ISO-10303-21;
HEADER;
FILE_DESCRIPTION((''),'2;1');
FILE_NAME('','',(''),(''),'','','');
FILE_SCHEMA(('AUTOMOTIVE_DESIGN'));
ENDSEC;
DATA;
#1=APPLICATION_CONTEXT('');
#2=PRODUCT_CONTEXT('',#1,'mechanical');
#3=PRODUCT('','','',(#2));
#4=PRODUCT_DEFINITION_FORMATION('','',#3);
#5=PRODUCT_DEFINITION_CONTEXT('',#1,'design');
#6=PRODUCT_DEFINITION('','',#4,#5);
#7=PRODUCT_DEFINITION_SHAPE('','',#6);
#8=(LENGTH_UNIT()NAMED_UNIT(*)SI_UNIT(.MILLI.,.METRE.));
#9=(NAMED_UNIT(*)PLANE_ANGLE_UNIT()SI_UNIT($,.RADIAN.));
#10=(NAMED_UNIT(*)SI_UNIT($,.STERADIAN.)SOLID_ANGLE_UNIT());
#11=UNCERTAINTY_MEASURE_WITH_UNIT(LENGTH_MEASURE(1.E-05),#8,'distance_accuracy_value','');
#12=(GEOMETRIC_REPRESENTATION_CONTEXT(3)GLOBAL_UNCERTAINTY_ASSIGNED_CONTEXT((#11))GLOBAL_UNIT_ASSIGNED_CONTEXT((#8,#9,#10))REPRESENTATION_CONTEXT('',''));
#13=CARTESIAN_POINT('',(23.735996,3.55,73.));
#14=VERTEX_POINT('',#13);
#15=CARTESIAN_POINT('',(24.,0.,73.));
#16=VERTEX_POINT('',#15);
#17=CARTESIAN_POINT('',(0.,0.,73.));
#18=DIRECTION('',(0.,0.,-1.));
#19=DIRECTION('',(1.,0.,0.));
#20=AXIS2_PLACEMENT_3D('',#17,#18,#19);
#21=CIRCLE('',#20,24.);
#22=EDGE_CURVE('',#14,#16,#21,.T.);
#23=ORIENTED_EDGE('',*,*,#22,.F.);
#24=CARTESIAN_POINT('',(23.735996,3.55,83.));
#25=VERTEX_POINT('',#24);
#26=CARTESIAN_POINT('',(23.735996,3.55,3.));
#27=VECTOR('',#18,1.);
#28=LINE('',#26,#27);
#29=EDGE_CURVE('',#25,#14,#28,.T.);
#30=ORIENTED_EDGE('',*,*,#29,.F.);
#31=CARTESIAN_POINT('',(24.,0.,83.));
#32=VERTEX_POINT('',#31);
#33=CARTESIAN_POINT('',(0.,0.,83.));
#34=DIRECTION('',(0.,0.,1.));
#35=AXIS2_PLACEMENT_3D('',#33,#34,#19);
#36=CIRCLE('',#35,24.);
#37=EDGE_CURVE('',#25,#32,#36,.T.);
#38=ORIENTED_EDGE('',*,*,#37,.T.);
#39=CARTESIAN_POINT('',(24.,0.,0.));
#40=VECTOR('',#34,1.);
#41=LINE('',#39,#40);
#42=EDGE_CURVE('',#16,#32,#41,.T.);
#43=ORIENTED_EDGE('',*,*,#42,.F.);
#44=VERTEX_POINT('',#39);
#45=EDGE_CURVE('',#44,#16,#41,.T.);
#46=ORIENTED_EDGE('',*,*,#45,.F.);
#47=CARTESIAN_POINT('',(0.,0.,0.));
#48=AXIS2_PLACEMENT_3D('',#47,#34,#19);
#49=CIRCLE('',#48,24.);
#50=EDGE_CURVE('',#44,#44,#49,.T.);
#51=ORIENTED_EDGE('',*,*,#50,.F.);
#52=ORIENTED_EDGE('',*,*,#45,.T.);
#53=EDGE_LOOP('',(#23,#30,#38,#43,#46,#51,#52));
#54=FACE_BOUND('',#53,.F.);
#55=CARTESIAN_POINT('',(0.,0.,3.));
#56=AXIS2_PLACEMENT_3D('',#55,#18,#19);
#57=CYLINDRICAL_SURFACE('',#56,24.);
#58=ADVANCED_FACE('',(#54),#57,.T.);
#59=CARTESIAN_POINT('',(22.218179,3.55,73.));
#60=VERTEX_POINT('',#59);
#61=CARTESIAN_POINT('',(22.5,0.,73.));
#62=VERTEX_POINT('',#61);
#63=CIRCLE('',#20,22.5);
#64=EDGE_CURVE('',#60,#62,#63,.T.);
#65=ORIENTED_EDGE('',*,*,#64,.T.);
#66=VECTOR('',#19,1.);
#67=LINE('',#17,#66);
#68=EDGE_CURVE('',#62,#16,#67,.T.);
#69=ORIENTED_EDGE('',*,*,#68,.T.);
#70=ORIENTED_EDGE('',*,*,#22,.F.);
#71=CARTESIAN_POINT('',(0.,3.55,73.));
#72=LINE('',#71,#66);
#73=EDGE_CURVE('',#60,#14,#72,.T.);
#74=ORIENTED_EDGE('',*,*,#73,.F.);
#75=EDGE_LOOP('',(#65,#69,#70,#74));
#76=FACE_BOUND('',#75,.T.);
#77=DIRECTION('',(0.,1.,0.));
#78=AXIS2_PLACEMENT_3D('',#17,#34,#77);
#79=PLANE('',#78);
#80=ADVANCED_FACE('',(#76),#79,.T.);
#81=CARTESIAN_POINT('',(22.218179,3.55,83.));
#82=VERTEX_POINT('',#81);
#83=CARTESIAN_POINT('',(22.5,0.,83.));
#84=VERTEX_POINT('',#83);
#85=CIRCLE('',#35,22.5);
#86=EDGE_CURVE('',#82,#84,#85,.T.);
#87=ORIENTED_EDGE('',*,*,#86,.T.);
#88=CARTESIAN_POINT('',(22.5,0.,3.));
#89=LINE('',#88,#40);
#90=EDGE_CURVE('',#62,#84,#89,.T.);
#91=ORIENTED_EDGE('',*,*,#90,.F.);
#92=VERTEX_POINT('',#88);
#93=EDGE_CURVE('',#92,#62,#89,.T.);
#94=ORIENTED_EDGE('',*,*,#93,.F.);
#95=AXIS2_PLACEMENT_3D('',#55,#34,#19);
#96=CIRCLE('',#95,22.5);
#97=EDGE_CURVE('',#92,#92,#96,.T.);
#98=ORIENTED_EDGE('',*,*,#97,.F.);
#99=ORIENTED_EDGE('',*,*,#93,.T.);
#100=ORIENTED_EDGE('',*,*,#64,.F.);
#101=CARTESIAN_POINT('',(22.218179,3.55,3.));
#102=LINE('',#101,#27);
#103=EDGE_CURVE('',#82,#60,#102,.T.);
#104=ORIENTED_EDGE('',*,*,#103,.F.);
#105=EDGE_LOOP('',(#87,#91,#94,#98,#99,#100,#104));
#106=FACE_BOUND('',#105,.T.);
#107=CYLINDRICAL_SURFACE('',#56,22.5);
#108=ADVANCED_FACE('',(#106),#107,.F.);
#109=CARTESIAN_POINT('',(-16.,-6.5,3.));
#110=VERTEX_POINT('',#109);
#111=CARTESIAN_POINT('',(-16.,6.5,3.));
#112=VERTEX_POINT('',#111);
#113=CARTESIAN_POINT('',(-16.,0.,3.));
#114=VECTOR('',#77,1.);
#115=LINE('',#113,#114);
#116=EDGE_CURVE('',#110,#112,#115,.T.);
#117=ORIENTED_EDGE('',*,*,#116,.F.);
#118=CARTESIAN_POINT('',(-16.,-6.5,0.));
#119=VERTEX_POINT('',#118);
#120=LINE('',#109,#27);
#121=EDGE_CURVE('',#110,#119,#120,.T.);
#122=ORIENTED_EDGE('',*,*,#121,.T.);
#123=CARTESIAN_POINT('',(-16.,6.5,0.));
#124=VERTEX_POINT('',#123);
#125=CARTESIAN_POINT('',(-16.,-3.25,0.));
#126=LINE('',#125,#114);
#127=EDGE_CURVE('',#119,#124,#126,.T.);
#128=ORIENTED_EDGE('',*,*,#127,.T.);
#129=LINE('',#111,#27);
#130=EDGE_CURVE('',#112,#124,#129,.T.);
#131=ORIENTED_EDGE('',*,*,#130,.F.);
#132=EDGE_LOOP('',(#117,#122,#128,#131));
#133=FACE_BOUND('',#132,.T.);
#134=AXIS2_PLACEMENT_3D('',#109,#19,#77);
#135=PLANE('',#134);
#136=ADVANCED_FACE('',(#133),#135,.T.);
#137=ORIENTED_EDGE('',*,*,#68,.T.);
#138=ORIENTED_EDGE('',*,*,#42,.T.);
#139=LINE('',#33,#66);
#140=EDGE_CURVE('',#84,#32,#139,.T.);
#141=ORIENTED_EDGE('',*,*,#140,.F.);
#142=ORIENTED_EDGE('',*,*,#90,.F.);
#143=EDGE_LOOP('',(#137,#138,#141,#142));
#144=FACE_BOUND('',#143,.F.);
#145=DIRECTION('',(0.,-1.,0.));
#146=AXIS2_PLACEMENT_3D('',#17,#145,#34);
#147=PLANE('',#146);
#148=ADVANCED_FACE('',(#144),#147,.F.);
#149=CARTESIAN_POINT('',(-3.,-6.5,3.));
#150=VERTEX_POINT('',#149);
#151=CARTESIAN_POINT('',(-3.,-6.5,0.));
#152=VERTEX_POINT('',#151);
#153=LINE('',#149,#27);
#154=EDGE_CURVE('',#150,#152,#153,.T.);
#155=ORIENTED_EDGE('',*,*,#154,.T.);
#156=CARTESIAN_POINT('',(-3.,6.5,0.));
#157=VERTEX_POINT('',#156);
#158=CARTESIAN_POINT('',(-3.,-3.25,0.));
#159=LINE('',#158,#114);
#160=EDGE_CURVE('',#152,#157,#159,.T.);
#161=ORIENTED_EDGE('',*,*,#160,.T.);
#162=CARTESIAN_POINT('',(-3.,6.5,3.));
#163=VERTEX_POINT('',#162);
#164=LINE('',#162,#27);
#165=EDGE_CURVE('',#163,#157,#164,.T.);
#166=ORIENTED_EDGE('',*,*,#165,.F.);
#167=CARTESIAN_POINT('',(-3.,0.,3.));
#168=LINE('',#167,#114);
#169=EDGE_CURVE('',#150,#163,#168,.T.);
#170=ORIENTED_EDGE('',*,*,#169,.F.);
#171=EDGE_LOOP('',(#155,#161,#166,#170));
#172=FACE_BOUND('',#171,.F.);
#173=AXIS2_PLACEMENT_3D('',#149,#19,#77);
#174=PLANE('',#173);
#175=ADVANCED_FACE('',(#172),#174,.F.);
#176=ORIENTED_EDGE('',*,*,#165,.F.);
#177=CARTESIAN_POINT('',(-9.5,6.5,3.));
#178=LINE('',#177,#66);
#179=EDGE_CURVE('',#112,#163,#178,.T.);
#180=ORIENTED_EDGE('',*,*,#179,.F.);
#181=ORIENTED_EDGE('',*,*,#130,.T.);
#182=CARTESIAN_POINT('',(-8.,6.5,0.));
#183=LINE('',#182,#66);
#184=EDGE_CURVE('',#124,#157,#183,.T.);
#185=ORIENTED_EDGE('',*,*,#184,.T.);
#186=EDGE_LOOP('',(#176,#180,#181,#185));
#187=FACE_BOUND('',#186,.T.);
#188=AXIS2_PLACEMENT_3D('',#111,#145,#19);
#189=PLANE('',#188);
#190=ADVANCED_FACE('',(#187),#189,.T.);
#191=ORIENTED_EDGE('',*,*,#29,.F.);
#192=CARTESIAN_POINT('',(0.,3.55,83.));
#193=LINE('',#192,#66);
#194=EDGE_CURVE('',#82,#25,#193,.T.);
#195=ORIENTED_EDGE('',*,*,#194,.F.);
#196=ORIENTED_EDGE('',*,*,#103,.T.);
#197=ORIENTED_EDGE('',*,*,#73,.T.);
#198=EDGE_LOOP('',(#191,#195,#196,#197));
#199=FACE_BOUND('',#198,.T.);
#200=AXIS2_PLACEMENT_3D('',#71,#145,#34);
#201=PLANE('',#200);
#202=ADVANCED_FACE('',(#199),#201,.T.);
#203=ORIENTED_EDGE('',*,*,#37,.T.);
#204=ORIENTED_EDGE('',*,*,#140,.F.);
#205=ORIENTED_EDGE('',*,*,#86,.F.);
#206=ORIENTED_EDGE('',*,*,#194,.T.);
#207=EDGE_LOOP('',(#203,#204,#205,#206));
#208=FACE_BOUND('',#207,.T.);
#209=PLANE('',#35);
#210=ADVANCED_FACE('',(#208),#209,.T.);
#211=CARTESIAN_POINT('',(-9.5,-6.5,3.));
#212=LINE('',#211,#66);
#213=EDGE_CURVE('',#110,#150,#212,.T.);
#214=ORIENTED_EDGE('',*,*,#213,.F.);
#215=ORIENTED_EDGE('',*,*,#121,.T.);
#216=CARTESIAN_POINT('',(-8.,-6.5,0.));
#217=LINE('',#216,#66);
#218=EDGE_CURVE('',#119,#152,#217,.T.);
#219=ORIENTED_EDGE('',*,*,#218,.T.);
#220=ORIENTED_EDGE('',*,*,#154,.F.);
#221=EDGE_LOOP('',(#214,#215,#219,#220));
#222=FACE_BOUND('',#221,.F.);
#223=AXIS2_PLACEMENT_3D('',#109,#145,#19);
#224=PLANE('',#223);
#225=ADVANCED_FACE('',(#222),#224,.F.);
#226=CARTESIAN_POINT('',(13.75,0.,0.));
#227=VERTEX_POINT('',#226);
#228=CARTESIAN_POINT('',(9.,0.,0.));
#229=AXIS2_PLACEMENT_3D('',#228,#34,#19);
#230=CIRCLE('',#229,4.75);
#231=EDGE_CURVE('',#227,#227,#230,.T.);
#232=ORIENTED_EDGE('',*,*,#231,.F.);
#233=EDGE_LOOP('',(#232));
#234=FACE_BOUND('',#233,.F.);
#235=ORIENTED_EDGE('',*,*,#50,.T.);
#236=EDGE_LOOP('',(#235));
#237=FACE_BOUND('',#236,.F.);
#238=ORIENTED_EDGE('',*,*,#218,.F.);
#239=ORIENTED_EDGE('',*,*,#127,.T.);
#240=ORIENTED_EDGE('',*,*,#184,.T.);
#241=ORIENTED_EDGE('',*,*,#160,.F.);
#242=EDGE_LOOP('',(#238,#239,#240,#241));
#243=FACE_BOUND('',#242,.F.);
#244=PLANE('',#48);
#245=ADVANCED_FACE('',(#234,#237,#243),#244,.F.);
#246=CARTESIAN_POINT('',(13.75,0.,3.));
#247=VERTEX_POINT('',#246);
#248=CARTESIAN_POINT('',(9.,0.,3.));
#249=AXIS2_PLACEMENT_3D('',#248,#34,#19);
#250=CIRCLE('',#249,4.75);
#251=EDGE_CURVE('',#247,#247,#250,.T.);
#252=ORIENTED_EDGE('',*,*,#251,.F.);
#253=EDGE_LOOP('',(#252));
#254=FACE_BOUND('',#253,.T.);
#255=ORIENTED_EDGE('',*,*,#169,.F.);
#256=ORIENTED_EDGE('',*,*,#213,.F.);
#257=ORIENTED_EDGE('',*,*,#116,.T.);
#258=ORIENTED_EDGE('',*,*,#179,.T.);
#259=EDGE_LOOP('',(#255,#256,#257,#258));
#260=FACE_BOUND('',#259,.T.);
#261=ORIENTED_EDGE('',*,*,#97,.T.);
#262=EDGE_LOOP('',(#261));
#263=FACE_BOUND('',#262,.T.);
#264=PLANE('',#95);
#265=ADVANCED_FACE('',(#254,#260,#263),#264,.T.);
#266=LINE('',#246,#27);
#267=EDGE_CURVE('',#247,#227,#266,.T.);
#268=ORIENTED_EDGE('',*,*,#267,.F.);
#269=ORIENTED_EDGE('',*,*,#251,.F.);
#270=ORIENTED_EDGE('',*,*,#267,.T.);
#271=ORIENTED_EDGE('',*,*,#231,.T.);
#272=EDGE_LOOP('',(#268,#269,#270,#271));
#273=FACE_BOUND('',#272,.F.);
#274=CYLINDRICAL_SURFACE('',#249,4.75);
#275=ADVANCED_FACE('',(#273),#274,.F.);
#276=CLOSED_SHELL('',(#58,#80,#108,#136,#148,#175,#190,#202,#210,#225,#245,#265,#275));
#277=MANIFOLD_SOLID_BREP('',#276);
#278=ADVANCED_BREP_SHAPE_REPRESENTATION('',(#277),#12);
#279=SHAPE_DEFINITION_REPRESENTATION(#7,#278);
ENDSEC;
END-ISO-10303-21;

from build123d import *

# Parameters (mm, degrees)
F0_R     = 24
F1_DEPTH = 3
F2_R     = 24
F2_R_2   = 22.5
F3_DEPTH = 80
F4_W     = 13
F4_H     = 13
F4_R     = 4.75
F5_DEPTH = 3.001
F6_W     = 3.55
F6_H     = 10
F7_DEPTH = 25


with BuildPart() as f1:
    # F0 (on Top) → F1 (new body)
    with BuildSketch(Plane.XY):
        Circle(F0_R)
    extrude(amount=F1_DEPTH)

    # F2 (on face) → F3 (join)
    with BuildSketch(Plane.XY.offset(3)):
        Circle(F2_R)
        Circle(F2_R_2, mode=Mode.SUBTRACT)
    extrude(amount=F3_DEPTH)

    # F4 (on face) → F5 (cut, through all)
    with BuildSketch(Plane.XY.offset(3)):
        with Locations((-9.5, 0)):
            Rectangle(F4_W, F4_H)
        with Locations((9, 0)):
            Circle(F4_R)
    extrude(amount=-F5_DEPTH, mode=Mode.SUBTRACT)

    # F6 (on Right) → F7 (cut)
    with BuildSketch(Plane.YZ):
        with Locations((1.775, 78)):
            Rectangle(F6_W, F6_H)
    extrude(amount=F7_DEPTH, mode=Mode.SUBTRACT)


solid = f1.part
